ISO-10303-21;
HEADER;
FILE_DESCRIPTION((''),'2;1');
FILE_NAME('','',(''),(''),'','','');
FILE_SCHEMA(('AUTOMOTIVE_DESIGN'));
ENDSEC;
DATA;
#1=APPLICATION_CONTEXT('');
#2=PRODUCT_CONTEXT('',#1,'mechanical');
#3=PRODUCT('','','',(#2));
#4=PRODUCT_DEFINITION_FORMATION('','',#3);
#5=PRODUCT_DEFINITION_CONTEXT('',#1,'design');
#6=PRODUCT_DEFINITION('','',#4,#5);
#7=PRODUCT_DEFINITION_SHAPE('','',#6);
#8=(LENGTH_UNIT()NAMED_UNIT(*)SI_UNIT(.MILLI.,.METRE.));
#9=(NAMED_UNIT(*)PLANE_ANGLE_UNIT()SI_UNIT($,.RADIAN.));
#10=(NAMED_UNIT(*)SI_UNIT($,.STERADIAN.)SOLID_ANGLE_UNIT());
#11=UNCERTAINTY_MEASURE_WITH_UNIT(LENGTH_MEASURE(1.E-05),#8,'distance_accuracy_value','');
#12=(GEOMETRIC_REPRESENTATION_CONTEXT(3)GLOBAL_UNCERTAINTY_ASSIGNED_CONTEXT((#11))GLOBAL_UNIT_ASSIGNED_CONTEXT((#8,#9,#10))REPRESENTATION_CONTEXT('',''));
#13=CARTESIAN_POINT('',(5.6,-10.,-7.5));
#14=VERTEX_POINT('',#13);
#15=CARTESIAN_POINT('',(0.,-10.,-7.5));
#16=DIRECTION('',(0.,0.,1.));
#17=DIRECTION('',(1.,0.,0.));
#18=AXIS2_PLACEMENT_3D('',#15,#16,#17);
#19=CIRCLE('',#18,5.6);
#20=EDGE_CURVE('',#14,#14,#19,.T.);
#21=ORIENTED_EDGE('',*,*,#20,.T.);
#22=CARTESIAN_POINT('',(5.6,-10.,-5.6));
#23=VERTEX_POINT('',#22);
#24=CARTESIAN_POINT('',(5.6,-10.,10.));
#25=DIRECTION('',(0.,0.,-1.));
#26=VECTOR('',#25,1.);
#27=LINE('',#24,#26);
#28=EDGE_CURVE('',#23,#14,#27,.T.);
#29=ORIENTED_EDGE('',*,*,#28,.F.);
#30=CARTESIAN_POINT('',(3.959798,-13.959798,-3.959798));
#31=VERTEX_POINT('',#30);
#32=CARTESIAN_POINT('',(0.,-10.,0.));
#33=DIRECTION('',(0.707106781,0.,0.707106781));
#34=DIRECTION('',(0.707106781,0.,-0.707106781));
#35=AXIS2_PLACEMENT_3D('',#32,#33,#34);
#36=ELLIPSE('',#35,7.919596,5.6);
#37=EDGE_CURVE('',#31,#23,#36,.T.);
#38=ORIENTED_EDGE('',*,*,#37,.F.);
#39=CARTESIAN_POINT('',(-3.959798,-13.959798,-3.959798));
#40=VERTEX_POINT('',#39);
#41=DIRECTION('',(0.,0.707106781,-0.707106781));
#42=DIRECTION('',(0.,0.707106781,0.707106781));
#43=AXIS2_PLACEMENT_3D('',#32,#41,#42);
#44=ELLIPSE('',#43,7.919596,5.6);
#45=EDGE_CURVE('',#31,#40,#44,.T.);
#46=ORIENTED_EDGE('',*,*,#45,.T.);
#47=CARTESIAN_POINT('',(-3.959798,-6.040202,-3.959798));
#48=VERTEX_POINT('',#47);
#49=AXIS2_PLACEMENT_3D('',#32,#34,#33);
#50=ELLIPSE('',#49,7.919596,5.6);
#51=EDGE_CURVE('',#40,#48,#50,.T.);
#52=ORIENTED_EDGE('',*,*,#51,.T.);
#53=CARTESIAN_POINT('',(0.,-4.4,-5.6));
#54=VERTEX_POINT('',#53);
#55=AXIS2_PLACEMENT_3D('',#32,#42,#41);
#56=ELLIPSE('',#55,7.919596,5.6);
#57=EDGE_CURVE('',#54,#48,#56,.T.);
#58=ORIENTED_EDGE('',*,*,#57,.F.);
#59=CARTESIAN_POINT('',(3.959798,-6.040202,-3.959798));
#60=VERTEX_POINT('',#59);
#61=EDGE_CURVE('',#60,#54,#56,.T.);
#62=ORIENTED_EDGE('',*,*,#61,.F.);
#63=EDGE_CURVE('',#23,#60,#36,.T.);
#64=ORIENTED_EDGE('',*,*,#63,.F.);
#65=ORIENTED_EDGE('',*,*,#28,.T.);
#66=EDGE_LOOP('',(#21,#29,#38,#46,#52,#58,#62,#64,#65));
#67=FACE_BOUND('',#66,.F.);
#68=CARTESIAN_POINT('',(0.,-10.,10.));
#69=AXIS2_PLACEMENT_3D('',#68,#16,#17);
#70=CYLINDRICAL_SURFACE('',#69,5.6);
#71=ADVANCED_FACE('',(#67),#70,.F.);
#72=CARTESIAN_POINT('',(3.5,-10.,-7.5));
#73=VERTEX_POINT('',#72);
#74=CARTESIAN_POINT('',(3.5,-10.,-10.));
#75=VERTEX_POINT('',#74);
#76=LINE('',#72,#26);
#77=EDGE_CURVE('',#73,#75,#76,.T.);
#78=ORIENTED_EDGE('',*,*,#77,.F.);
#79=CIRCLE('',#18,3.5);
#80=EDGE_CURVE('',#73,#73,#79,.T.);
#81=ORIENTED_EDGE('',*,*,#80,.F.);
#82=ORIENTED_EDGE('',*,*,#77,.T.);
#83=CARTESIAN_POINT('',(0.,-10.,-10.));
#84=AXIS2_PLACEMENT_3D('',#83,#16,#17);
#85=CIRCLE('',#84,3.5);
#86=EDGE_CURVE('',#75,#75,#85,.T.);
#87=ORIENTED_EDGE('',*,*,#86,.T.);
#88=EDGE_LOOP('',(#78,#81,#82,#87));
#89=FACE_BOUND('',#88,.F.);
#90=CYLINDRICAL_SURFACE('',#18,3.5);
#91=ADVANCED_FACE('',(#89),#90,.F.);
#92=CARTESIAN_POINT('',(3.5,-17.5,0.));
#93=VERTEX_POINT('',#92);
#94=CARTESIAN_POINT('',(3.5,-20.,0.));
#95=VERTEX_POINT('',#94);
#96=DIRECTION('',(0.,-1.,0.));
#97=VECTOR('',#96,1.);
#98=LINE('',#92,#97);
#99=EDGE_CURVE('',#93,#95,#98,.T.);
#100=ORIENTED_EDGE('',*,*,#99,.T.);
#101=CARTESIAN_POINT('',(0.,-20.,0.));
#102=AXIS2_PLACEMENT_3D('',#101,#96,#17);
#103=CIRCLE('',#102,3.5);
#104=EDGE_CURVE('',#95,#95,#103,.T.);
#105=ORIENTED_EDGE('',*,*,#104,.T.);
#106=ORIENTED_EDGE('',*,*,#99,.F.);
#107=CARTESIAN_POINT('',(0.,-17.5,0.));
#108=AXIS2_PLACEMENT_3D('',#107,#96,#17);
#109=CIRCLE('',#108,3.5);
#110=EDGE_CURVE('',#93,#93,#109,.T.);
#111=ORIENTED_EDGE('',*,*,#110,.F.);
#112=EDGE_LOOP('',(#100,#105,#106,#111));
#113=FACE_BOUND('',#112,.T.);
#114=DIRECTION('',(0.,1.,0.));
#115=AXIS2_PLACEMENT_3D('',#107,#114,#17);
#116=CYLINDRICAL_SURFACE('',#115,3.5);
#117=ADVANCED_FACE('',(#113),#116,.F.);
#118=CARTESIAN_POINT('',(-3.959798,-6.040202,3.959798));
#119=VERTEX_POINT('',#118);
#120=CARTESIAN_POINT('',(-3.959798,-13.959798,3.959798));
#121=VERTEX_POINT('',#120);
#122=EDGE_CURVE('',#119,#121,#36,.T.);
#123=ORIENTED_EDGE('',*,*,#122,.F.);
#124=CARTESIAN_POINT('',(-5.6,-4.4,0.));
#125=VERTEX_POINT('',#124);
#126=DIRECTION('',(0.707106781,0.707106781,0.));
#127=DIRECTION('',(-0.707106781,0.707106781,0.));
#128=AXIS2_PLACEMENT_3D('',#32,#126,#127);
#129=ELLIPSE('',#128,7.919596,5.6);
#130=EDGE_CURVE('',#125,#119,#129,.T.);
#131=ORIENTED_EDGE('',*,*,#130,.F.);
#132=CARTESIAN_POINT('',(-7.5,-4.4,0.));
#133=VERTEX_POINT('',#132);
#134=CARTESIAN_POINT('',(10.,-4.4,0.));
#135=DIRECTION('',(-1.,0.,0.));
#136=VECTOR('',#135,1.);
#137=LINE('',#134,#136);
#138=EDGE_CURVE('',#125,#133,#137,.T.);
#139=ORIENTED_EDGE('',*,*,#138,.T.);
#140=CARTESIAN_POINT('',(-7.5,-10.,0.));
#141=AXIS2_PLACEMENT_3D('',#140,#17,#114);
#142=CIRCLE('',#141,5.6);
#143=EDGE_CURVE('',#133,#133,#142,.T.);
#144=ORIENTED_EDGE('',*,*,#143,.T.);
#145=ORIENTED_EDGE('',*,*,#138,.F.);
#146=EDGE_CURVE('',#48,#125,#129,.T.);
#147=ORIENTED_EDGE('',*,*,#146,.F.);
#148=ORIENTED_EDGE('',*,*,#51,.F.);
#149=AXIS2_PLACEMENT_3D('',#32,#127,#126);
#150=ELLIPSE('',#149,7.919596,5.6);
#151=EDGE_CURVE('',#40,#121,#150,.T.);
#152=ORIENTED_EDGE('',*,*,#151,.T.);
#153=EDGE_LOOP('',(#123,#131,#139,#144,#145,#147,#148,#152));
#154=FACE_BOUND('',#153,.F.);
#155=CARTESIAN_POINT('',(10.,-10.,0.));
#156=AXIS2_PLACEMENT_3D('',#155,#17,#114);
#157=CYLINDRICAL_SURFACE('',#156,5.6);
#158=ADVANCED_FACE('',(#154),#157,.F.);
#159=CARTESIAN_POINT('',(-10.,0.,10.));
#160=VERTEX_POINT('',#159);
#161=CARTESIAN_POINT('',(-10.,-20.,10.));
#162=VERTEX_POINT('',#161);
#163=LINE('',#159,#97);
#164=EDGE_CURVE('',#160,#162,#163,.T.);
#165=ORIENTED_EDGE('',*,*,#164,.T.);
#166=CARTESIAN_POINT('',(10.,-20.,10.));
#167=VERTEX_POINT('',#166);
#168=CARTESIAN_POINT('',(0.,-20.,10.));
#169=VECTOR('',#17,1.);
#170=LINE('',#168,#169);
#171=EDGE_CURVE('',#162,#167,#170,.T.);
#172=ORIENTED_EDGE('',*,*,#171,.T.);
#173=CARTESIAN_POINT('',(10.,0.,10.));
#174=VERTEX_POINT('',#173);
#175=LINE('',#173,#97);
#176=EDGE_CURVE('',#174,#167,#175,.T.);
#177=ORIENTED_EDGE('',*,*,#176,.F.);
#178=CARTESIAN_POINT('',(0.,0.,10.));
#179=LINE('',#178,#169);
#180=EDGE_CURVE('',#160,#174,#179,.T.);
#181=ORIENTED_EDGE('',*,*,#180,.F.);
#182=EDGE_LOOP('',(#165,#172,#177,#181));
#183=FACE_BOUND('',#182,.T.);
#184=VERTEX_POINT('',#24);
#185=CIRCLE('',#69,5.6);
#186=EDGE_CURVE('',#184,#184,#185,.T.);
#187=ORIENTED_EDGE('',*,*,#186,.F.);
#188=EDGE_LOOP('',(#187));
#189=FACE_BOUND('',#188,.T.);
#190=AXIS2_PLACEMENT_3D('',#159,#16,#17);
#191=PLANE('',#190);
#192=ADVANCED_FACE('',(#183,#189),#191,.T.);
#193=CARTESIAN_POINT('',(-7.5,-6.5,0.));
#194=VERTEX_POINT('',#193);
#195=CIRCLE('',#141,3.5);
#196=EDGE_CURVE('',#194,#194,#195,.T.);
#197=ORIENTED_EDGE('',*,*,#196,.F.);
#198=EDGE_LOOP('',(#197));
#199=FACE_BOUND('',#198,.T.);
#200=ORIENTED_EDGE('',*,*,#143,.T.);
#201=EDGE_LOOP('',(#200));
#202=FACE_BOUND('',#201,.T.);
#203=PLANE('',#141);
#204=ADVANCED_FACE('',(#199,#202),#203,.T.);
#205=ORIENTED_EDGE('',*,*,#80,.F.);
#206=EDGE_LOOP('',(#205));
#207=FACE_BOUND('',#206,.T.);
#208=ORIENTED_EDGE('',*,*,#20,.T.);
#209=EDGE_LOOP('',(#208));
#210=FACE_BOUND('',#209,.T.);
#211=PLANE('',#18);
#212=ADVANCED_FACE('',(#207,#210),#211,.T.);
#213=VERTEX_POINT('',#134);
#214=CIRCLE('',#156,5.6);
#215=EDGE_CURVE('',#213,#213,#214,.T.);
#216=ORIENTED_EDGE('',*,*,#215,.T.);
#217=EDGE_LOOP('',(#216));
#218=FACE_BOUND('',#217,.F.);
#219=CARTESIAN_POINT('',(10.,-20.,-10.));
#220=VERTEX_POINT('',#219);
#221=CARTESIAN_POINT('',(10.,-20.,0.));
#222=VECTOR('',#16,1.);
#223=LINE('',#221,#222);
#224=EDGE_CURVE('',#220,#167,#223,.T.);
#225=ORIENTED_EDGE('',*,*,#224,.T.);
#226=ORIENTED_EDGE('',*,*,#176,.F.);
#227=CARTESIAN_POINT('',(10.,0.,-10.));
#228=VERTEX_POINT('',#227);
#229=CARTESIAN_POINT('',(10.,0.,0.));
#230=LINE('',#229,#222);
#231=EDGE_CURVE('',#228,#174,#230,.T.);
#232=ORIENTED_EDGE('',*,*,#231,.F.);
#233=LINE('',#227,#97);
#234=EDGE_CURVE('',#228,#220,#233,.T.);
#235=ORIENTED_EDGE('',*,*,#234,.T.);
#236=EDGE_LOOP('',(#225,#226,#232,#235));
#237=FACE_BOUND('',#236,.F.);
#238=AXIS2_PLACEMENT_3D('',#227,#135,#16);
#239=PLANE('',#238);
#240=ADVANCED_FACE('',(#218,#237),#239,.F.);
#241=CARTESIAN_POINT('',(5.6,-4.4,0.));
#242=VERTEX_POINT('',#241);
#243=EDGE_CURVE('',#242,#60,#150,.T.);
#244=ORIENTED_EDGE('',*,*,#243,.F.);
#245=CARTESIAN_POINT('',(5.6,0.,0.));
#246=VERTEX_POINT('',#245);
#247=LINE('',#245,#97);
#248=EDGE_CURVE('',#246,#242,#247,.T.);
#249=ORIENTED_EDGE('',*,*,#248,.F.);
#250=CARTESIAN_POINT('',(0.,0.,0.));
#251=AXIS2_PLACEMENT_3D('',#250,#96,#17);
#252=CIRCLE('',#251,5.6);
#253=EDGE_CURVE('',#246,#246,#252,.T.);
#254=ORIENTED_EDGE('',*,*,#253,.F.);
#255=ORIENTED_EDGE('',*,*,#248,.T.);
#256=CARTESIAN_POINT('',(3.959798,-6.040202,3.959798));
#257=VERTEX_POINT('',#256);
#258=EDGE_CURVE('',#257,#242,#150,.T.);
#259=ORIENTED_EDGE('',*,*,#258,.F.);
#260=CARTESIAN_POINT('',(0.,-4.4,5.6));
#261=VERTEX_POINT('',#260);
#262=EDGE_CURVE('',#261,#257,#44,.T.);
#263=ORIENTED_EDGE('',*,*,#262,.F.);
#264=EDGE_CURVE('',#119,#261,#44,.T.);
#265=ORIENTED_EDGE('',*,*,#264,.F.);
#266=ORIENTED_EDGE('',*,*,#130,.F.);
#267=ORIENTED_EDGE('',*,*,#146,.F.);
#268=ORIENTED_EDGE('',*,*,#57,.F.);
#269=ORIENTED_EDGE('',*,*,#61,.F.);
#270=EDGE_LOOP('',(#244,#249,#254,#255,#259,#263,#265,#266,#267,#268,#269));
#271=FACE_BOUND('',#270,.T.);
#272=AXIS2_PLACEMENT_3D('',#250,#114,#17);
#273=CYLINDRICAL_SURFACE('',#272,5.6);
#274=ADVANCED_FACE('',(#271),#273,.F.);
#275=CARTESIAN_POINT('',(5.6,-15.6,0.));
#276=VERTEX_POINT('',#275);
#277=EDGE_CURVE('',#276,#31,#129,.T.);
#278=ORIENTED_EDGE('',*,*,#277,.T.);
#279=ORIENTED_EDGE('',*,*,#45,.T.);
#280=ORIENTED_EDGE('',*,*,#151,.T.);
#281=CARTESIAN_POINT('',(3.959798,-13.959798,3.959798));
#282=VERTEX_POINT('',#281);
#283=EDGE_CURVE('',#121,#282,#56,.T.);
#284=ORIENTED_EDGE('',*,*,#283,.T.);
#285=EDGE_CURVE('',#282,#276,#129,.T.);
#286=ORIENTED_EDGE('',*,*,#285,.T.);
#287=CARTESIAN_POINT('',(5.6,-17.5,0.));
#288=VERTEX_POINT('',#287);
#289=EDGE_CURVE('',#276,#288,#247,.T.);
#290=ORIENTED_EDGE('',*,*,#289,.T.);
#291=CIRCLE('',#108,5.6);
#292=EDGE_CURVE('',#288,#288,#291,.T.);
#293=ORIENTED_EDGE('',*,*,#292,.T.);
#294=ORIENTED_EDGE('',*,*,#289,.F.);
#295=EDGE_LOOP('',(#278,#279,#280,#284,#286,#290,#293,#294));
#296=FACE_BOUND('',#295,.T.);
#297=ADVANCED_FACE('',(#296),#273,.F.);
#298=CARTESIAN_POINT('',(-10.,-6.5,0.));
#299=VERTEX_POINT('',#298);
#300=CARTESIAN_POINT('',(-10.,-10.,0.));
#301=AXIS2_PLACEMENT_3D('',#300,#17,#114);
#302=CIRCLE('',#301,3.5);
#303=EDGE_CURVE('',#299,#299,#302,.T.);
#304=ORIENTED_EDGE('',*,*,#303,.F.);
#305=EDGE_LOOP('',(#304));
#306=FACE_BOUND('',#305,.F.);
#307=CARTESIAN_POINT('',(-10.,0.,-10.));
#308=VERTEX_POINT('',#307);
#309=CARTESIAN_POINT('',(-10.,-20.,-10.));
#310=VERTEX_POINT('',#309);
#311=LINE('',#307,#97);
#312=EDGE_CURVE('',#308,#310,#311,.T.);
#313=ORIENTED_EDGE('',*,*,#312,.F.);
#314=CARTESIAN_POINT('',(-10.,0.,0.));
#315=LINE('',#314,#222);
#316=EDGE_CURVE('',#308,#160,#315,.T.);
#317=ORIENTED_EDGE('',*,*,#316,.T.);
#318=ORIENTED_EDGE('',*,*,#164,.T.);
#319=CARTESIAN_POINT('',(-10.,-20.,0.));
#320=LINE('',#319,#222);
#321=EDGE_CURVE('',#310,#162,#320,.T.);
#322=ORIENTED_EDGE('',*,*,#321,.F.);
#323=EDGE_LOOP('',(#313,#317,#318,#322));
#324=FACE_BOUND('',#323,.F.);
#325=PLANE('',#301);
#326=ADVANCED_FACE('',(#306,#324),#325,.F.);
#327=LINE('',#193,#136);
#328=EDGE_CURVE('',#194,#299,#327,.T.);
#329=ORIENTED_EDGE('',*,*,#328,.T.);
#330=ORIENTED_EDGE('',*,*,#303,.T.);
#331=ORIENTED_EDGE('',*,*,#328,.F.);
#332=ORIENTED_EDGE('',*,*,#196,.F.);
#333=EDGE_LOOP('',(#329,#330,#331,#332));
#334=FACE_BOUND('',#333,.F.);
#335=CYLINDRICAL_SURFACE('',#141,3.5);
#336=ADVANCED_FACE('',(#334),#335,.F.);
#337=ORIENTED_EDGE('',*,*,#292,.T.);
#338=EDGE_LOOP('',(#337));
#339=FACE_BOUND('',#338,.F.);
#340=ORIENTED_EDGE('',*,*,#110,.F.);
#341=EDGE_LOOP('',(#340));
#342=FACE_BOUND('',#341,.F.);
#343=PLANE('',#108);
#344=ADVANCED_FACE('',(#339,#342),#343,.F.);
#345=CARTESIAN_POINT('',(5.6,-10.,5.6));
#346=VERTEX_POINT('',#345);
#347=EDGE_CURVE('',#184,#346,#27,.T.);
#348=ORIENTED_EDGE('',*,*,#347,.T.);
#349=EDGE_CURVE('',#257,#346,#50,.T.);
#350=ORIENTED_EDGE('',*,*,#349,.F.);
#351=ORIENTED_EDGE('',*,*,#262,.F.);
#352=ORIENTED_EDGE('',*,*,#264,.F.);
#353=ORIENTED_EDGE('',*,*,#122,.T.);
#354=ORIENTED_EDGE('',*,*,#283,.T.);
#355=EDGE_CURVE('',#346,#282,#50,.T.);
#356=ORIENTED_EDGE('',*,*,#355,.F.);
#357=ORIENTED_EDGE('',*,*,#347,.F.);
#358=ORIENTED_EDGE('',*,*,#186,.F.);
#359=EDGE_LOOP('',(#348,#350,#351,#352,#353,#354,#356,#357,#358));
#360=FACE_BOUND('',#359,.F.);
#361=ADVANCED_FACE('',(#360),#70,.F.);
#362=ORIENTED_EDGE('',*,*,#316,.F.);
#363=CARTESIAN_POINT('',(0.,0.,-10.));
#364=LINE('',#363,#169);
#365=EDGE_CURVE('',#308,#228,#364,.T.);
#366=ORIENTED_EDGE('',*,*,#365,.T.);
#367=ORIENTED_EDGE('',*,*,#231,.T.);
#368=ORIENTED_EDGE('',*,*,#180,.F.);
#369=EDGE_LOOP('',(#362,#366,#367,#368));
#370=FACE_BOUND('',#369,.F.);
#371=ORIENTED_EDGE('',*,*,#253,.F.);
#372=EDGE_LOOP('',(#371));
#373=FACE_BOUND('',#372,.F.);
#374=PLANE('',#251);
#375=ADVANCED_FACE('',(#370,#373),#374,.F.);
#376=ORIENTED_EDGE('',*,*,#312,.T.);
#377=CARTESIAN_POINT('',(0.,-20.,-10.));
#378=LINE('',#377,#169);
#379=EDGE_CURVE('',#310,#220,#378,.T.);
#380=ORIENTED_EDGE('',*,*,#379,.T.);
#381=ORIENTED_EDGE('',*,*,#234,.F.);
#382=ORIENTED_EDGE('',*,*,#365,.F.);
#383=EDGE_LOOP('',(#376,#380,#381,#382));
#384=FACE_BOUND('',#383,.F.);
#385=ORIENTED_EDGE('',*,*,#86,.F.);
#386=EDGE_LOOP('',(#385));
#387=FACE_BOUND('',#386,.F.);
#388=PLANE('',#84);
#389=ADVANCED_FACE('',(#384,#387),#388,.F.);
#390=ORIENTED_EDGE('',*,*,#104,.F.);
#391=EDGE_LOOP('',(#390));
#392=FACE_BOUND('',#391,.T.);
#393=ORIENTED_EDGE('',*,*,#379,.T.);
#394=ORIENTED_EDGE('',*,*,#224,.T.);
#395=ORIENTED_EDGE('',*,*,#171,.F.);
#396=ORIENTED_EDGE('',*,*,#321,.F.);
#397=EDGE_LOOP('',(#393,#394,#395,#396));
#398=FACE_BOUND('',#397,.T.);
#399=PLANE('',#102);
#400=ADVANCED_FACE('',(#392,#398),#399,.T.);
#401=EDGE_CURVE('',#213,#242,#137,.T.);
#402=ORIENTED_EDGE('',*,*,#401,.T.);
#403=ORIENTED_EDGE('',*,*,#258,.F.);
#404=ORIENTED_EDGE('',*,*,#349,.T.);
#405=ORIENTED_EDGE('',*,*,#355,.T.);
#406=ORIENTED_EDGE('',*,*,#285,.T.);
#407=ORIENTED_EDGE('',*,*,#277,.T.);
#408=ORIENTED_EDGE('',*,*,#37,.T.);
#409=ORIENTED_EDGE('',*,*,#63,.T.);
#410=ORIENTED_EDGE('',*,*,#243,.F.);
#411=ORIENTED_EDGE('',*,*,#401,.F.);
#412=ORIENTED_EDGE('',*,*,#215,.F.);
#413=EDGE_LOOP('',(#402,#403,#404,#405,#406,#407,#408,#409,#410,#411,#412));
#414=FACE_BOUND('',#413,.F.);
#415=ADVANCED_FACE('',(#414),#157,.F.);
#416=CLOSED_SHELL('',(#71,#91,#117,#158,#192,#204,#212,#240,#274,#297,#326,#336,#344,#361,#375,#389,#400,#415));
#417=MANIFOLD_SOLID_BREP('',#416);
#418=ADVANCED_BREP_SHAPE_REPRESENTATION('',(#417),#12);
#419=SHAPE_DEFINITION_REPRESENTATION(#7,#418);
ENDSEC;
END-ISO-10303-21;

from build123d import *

# Parameters (mm, degrees)
F0_W     = 20
F0_H     = 20
F0_R     = 5.6
F1_DEPTH = 20
F2_START = 17.5
F0_R_2   = 3.5
F2_DEPTH = 2.5
F3_R     = 5.6
F3_R_2   = 3.5
F4_DEPTH = 25
F5_START = -17.5
F5_DEPTH = 2.5
F6_R     = 5.6
F6_R_2   = 3.5
F7_DEPTH = 25
F8_START = -17.5
F8_DEPTH = 2.5


with BuildPart() as f1:
    # F0 (on Front) → F1 (new body)
    with BuildSketch(Plane.XZ):
        Rectangle(F0_W, F0_H)
        Circle(F0_R, mode=Mode.SUBTRACT)
    extrude(amount=F1_DEPTH)

    # F0 (on Front) → F2 (join)
    with BuildSketch(Plane.XZ.offset(F2_START)):
        Circle(F0_R)
        Circle(F0_R_2, mode=Mode.SUBTRACT)
    extrude(amount=F2_DEPTH)

    # F3 (on face) → F4 (cut)
    with BuildSketch(Plane.YZ.offset(10)):
        with Locations((-10, 0)):
            Circle(F3_R)
        with Locations((-10, 0)):
            Circle(F3_R_2, mode=Mode.SUBTRACT)
        with Locations((-10, 0)):
            Circle(F3_R_2)
    extrude(amount=-F4_DEPTH, mode=Mode.SUBTRACT)

    # F3 (on face) → F5 (join)
    with BuildSketch(Plane.YZ.offset(10).offset(F5_START)):
        with Locations((-10, 0)):
            Circle(F3_R)
        with Locations((-10, 0)):
            Circle(F3_R_2, mode=Mode.SUBTRACT)
    extrude(amount=-F5_DEPTH)

    # F6 (on face) → F7 (cut)
    with BuildSketch(Plane.XY.offset(10)):
        with Locations((0, -10)):
            Circle(F6_R)
        with Locations((0, -10)):
            Circle(F6_R_2, mode=Mode.SUBTRACT)
        with Locations((0, -10)):
            Circle(F6_R_2)
    extrude(amount=-F7_DEPTH, mode=Mode.SUBTRACT)

    # F6 (on face) → F8 (join)
    with BuildSketch(Plane.XY.offset(10).offset(F8_START)):
        with Locations((0, -10)):
            Circle(F6_R)
        with Locations((0, -10)):
            Circle(F6_R_2, mode=Mode.SUBTRACT)
    extrude(amount=-F8_DEPTH)


solid = f1.part
